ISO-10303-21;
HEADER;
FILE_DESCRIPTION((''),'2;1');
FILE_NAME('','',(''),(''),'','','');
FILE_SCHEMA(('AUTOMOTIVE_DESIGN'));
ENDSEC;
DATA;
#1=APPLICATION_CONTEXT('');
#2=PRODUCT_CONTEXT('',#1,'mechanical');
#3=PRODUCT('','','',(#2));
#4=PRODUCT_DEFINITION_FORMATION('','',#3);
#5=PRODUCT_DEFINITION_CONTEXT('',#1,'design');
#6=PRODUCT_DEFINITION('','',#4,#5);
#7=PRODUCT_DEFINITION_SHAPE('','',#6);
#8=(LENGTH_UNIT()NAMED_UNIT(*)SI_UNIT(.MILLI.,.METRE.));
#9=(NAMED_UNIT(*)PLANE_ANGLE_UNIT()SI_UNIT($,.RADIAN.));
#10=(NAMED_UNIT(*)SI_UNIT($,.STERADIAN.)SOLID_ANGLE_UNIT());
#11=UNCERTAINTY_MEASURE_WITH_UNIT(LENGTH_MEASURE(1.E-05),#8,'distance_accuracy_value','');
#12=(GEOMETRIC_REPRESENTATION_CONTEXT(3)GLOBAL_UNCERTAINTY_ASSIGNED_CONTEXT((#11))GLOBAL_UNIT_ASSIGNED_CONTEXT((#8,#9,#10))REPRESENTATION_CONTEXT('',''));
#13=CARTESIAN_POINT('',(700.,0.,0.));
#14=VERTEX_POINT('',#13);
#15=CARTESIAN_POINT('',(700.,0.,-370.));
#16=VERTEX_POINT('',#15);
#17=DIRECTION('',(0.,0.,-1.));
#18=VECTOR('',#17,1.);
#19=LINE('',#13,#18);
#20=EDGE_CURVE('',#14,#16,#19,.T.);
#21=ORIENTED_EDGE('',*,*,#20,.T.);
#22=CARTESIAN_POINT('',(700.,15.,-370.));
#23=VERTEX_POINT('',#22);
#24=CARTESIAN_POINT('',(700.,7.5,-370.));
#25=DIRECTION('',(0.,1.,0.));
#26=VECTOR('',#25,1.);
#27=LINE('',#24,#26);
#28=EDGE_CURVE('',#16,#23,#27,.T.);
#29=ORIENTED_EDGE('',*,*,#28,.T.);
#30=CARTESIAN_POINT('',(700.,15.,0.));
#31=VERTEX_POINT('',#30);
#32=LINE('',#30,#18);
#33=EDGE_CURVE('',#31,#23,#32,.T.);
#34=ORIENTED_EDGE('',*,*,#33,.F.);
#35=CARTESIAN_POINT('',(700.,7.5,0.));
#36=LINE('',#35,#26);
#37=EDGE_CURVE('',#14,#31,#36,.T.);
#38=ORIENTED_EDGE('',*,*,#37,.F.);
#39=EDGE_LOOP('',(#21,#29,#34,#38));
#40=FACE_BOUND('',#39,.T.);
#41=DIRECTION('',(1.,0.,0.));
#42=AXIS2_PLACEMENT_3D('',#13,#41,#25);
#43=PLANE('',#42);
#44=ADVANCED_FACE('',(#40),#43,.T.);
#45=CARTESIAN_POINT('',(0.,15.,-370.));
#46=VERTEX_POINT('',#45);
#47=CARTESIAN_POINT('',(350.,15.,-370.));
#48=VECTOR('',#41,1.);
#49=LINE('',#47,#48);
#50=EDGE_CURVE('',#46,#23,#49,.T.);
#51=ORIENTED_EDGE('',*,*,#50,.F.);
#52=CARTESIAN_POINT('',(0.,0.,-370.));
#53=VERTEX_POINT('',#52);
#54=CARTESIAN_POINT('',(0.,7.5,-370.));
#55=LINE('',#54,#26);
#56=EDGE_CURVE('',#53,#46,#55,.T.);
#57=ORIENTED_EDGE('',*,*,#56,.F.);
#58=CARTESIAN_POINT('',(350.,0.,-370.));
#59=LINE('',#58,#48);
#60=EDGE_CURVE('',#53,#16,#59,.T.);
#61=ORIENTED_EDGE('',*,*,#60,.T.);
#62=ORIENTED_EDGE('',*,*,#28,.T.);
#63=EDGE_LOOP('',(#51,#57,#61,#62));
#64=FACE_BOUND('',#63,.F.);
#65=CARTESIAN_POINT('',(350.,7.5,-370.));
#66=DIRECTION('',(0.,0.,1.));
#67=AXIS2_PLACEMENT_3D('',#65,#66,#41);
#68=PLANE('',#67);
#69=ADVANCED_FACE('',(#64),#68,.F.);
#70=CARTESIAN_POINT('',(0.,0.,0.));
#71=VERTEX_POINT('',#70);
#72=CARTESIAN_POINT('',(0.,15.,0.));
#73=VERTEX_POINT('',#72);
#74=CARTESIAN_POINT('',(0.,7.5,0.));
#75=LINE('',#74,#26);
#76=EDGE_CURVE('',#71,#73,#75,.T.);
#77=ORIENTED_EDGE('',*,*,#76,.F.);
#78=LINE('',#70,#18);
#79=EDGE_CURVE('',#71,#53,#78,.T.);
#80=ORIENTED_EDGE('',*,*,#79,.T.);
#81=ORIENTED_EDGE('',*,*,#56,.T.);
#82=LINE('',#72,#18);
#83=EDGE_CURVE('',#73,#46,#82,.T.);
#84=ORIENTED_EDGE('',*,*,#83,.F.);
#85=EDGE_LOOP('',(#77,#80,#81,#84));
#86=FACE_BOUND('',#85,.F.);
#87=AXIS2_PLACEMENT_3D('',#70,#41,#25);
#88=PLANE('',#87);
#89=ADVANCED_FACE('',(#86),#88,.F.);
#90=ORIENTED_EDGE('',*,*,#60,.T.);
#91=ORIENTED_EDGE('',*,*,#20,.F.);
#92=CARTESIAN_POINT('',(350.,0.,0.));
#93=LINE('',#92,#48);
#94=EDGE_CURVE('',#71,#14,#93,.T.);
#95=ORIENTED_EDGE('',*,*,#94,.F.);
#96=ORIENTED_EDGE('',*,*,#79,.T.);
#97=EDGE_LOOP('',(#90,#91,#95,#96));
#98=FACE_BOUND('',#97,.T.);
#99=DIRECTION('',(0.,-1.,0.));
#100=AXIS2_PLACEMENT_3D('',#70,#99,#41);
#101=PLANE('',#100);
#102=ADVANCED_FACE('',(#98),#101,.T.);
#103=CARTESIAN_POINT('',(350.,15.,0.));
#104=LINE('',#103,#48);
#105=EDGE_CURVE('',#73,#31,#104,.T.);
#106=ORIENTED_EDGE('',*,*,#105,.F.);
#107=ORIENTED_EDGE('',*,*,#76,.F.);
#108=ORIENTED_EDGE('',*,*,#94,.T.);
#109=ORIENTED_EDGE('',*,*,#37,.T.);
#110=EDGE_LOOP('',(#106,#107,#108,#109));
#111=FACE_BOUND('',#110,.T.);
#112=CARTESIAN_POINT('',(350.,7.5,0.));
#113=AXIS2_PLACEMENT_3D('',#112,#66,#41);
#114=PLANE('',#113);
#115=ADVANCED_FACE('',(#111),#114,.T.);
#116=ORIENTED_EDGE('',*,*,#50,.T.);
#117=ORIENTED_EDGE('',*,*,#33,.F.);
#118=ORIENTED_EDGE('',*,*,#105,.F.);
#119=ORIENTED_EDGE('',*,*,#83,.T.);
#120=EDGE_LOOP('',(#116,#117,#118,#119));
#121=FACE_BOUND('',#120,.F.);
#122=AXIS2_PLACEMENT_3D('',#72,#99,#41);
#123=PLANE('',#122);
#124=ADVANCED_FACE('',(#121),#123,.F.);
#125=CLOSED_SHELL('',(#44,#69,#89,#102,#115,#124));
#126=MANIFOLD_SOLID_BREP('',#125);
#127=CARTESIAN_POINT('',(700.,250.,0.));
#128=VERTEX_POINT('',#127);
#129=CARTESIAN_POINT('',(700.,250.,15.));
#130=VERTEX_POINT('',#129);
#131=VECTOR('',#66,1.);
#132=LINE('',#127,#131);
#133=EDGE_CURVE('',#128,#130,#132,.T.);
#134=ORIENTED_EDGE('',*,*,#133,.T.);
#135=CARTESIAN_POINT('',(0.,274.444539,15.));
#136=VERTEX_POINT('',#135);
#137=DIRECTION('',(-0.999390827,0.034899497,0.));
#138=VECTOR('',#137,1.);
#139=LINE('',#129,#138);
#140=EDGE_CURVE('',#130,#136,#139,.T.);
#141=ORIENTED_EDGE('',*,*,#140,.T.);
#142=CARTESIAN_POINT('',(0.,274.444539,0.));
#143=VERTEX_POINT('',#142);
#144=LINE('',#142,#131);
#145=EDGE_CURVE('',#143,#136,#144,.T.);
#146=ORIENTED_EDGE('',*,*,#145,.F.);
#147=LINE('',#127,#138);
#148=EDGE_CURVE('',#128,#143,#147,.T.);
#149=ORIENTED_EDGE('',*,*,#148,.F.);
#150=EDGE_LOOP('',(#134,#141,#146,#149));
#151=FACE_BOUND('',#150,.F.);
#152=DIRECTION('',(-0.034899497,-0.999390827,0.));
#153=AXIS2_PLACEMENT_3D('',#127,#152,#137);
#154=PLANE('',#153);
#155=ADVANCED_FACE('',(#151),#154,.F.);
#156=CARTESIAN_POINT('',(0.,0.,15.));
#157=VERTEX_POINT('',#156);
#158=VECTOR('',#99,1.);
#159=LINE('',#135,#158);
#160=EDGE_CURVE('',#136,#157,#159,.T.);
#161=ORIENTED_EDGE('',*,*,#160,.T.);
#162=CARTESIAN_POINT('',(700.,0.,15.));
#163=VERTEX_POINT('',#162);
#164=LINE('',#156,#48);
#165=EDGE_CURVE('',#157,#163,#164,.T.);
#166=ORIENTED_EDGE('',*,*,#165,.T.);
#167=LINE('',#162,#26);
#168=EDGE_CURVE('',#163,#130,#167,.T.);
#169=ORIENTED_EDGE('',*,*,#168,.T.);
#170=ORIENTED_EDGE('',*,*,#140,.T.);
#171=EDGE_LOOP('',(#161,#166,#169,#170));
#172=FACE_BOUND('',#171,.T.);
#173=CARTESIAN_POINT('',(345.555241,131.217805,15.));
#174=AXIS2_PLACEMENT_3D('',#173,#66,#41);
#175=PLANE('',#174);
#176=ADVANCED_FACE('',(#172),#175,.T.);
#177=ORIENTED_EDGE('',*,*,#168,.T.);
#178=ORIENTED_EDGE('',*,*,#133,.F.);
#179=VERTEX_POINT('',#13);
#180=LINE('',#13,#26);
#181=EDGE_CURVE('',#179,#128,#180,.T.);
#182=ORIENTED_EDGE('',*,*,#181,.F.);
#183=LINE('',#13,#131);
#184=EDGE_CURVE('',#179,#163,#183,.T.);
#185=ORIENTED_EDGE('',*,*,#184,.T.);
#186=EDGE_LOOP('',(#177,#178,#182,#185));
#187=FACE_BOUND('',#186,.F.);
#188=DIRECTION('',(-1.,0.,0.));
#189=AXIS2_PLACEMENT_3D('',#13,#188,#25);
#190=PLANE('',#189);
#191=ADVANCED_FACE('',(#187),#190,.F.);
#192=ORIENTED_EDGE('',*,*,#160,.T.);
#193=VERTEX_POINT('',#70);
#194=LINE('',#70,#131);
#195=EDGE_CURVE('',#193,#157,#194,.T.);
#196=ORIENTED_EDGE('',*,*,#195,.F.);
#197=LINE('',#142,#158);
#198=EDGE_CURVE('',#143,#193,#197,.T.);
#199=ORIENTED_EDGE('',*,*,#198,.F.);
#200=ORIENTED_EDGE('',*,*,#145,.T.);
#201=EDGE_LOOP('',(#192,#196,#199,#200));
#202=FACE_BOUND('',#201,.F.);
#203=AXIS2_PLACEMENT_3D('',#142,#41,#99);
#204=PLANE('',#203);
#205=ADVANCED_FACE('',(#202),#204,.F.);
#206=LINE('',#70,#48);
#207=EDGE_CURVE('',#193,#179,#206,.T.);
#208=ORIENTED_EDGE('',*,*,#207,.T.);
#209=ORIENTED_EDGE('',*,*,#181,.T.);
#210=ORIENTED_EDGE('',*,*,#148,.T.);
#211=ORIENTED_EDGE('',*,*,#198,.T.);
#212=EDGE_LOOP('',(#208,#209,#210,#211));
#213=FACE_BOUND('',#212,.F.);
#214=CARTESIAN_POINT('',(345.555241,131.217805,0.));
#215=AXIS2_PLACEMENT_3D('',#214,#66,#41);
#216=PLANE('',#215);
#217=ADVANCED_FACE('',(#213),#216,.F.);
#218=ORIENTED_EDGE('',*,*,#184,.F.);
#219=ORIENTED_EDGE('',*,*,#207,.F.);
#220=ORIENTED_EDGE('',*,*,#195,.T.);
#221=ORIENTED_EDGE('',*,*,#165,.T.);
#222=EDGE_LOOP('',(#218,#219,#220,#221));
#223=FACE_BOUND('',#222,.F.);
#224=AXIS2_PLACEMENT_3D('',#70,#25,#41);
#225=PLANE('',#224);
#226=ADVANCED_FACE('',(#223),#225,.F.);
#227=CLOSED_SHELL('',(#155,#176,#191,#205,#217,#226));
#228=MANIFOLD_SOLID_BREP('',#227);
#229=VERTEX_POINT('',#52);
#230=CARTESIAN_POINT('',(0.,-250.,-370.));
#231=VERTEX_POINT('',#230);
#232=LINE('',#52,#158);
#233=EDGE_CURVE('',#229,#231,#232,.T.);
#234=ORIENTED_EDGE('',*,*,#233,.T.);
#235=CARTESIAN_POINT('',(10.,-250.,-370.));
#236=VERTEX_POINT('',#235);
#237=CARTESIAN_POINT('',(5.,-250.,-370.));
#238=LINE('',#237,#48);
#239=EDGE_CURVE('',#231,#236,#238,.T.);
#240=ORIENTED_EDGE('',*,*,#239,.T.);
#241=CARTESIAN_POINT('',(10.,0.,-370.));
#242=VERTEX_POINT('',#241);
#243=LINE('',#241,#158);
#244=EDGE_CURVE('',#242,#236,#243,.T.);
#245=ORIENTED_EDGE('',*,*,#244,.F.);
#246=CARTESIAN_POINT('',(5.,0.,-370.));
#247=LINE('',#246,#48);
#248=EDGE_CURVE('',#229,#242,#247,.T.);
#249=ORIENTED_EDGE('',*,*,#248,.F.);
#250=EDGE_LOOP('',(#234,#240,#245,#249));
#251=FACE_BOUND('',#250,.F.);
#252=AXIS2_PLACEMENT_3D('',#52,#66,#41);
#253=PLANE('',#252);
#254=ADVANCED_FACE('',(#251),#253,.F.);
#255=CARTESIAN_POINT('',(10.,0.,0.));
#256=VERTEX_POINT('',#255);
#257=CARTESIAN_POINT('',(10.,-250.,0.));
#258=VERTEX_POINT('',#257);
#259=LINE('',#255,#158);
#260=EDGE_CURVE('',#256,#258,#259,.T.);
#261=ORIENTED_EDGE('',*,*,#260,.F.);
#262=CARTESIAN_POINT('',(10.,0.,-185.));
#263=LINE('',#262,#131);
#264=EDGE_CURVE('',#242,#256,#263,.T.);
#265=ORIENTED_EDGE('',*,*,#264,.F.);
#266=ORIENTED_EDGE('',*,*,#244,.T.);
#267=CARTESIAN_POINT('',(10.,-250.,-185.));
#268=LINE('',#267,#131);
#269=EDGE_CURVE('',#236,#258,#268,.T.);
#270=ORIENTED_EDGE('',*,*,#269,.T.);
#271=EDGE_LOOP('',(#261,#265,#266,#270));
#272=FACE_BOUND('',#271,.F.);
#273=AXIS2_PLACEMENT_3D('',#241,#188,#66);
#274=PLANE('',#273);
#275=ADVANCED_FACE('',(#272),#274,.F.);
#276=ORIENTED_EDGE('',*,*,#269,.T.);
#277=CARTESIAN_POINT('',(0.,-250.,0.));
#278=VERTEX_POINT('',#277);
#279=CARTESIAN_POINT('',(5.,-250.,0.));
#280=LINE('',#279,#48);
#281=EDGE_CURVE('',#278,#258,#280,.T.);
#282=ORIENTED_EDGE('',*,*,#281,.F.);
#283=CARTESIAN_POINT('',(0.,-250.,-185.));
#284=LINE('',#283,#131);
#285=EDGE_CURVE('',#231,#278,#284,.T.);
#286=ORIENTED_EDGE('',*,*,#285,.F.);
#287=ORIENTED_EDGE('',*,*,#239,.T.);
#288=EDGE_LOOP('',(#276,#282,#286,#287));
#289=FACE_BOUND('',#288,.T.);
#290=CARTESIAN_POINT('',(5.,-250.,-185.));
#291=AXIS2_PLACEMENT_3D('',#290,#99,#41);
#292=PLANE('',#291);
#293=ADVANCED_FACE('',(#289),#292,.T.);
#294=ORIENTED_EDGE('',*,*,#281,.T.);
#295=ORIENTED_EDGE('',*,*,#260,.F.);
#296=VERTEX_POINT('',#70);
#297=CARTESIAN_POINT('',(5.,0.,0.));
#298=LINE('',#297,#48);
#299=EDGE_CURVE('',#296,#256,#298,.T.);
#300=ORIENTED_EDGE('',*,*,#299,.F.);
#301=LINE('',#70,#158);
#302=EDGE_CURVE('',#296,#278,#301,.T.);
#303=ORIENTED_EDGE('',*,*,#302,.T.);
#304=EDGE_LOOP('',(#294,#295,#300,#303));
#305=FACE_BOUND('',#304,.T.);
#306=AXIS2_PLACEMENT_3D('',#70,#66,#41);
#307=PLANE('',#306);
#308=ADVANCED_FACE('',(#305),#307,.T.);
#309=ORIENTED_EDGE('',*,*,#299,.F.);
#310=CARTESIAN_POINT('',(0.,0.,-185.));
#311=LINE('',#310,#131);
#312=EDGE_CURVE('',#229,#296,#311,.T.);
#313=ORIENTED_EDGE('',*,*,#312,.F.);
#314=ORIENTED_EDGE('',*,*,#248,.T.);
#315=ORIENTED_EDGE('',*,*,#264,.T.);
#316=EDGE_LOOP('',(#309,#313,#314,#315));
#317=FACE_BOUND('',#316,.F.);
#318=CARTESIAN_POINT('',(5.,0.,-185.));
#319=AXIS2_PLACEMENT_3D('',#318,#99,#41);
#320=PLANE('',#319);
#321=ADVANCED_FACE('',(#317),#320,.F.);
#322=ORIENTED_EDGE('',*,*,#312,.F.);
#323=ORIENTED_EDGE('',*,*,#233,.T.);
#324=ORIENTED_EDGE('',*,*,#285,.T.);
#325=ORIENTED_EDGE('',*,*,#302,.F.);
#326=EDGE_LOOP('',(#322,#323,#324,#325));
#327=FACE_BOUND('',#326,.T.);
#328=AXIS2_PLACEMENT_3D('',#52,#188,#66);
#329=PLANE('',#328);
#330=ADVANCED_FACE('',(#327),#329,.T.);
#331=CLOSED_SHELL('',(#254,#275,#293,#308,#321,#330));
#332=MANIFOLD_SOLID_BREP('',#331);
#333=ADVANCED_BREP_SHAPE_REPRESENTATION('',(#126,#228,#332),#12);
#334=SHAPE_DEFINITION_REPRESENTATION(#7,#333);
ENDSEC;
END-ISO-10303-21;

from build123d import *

# Parameters (mm, degrees)
PAD_DEPTH    = 15
SKETCH001_W  = 700
SKETCH001_H  = 15
PAD001_DEPTH = 370
SKETCH002_W  = 10
SKETCH002_H  = 370
PAD002_DEPTH = 250


with BuildPart() as parrois:
    # Sketch → Pad (new body)
    with BuildSketch(Plane.XY):
        Polygon((0, 0), (700, 0), (700, 250), (0, 274.444539), (0, 250), align=None)
    extrude(amount=PAD_DEPTH)


with BuildPart() as fond_caisse:
    # Sketch001 → Pad001 (new body)
    with BuildSketch(Plane.XY):
        with Locations((350, 7.5)):
            Rectangle(SKETCH001_W, SKETCH001_H)
    extrude(amount=-PAD001_DEPTH)


with BuildPart() as parois_avant:
    # Sketch002 → Pad002 (new body)
    with BuildSketch(Plane.XZ):
        with Locations((5, -185)):
            Rectangle(SKETCH002_W, SKETCH002_H)
    extrude(amount=PAD002_DEPTH)


solid = Compound([parrois.part, fond_caisse.part, parois_avant.part])
